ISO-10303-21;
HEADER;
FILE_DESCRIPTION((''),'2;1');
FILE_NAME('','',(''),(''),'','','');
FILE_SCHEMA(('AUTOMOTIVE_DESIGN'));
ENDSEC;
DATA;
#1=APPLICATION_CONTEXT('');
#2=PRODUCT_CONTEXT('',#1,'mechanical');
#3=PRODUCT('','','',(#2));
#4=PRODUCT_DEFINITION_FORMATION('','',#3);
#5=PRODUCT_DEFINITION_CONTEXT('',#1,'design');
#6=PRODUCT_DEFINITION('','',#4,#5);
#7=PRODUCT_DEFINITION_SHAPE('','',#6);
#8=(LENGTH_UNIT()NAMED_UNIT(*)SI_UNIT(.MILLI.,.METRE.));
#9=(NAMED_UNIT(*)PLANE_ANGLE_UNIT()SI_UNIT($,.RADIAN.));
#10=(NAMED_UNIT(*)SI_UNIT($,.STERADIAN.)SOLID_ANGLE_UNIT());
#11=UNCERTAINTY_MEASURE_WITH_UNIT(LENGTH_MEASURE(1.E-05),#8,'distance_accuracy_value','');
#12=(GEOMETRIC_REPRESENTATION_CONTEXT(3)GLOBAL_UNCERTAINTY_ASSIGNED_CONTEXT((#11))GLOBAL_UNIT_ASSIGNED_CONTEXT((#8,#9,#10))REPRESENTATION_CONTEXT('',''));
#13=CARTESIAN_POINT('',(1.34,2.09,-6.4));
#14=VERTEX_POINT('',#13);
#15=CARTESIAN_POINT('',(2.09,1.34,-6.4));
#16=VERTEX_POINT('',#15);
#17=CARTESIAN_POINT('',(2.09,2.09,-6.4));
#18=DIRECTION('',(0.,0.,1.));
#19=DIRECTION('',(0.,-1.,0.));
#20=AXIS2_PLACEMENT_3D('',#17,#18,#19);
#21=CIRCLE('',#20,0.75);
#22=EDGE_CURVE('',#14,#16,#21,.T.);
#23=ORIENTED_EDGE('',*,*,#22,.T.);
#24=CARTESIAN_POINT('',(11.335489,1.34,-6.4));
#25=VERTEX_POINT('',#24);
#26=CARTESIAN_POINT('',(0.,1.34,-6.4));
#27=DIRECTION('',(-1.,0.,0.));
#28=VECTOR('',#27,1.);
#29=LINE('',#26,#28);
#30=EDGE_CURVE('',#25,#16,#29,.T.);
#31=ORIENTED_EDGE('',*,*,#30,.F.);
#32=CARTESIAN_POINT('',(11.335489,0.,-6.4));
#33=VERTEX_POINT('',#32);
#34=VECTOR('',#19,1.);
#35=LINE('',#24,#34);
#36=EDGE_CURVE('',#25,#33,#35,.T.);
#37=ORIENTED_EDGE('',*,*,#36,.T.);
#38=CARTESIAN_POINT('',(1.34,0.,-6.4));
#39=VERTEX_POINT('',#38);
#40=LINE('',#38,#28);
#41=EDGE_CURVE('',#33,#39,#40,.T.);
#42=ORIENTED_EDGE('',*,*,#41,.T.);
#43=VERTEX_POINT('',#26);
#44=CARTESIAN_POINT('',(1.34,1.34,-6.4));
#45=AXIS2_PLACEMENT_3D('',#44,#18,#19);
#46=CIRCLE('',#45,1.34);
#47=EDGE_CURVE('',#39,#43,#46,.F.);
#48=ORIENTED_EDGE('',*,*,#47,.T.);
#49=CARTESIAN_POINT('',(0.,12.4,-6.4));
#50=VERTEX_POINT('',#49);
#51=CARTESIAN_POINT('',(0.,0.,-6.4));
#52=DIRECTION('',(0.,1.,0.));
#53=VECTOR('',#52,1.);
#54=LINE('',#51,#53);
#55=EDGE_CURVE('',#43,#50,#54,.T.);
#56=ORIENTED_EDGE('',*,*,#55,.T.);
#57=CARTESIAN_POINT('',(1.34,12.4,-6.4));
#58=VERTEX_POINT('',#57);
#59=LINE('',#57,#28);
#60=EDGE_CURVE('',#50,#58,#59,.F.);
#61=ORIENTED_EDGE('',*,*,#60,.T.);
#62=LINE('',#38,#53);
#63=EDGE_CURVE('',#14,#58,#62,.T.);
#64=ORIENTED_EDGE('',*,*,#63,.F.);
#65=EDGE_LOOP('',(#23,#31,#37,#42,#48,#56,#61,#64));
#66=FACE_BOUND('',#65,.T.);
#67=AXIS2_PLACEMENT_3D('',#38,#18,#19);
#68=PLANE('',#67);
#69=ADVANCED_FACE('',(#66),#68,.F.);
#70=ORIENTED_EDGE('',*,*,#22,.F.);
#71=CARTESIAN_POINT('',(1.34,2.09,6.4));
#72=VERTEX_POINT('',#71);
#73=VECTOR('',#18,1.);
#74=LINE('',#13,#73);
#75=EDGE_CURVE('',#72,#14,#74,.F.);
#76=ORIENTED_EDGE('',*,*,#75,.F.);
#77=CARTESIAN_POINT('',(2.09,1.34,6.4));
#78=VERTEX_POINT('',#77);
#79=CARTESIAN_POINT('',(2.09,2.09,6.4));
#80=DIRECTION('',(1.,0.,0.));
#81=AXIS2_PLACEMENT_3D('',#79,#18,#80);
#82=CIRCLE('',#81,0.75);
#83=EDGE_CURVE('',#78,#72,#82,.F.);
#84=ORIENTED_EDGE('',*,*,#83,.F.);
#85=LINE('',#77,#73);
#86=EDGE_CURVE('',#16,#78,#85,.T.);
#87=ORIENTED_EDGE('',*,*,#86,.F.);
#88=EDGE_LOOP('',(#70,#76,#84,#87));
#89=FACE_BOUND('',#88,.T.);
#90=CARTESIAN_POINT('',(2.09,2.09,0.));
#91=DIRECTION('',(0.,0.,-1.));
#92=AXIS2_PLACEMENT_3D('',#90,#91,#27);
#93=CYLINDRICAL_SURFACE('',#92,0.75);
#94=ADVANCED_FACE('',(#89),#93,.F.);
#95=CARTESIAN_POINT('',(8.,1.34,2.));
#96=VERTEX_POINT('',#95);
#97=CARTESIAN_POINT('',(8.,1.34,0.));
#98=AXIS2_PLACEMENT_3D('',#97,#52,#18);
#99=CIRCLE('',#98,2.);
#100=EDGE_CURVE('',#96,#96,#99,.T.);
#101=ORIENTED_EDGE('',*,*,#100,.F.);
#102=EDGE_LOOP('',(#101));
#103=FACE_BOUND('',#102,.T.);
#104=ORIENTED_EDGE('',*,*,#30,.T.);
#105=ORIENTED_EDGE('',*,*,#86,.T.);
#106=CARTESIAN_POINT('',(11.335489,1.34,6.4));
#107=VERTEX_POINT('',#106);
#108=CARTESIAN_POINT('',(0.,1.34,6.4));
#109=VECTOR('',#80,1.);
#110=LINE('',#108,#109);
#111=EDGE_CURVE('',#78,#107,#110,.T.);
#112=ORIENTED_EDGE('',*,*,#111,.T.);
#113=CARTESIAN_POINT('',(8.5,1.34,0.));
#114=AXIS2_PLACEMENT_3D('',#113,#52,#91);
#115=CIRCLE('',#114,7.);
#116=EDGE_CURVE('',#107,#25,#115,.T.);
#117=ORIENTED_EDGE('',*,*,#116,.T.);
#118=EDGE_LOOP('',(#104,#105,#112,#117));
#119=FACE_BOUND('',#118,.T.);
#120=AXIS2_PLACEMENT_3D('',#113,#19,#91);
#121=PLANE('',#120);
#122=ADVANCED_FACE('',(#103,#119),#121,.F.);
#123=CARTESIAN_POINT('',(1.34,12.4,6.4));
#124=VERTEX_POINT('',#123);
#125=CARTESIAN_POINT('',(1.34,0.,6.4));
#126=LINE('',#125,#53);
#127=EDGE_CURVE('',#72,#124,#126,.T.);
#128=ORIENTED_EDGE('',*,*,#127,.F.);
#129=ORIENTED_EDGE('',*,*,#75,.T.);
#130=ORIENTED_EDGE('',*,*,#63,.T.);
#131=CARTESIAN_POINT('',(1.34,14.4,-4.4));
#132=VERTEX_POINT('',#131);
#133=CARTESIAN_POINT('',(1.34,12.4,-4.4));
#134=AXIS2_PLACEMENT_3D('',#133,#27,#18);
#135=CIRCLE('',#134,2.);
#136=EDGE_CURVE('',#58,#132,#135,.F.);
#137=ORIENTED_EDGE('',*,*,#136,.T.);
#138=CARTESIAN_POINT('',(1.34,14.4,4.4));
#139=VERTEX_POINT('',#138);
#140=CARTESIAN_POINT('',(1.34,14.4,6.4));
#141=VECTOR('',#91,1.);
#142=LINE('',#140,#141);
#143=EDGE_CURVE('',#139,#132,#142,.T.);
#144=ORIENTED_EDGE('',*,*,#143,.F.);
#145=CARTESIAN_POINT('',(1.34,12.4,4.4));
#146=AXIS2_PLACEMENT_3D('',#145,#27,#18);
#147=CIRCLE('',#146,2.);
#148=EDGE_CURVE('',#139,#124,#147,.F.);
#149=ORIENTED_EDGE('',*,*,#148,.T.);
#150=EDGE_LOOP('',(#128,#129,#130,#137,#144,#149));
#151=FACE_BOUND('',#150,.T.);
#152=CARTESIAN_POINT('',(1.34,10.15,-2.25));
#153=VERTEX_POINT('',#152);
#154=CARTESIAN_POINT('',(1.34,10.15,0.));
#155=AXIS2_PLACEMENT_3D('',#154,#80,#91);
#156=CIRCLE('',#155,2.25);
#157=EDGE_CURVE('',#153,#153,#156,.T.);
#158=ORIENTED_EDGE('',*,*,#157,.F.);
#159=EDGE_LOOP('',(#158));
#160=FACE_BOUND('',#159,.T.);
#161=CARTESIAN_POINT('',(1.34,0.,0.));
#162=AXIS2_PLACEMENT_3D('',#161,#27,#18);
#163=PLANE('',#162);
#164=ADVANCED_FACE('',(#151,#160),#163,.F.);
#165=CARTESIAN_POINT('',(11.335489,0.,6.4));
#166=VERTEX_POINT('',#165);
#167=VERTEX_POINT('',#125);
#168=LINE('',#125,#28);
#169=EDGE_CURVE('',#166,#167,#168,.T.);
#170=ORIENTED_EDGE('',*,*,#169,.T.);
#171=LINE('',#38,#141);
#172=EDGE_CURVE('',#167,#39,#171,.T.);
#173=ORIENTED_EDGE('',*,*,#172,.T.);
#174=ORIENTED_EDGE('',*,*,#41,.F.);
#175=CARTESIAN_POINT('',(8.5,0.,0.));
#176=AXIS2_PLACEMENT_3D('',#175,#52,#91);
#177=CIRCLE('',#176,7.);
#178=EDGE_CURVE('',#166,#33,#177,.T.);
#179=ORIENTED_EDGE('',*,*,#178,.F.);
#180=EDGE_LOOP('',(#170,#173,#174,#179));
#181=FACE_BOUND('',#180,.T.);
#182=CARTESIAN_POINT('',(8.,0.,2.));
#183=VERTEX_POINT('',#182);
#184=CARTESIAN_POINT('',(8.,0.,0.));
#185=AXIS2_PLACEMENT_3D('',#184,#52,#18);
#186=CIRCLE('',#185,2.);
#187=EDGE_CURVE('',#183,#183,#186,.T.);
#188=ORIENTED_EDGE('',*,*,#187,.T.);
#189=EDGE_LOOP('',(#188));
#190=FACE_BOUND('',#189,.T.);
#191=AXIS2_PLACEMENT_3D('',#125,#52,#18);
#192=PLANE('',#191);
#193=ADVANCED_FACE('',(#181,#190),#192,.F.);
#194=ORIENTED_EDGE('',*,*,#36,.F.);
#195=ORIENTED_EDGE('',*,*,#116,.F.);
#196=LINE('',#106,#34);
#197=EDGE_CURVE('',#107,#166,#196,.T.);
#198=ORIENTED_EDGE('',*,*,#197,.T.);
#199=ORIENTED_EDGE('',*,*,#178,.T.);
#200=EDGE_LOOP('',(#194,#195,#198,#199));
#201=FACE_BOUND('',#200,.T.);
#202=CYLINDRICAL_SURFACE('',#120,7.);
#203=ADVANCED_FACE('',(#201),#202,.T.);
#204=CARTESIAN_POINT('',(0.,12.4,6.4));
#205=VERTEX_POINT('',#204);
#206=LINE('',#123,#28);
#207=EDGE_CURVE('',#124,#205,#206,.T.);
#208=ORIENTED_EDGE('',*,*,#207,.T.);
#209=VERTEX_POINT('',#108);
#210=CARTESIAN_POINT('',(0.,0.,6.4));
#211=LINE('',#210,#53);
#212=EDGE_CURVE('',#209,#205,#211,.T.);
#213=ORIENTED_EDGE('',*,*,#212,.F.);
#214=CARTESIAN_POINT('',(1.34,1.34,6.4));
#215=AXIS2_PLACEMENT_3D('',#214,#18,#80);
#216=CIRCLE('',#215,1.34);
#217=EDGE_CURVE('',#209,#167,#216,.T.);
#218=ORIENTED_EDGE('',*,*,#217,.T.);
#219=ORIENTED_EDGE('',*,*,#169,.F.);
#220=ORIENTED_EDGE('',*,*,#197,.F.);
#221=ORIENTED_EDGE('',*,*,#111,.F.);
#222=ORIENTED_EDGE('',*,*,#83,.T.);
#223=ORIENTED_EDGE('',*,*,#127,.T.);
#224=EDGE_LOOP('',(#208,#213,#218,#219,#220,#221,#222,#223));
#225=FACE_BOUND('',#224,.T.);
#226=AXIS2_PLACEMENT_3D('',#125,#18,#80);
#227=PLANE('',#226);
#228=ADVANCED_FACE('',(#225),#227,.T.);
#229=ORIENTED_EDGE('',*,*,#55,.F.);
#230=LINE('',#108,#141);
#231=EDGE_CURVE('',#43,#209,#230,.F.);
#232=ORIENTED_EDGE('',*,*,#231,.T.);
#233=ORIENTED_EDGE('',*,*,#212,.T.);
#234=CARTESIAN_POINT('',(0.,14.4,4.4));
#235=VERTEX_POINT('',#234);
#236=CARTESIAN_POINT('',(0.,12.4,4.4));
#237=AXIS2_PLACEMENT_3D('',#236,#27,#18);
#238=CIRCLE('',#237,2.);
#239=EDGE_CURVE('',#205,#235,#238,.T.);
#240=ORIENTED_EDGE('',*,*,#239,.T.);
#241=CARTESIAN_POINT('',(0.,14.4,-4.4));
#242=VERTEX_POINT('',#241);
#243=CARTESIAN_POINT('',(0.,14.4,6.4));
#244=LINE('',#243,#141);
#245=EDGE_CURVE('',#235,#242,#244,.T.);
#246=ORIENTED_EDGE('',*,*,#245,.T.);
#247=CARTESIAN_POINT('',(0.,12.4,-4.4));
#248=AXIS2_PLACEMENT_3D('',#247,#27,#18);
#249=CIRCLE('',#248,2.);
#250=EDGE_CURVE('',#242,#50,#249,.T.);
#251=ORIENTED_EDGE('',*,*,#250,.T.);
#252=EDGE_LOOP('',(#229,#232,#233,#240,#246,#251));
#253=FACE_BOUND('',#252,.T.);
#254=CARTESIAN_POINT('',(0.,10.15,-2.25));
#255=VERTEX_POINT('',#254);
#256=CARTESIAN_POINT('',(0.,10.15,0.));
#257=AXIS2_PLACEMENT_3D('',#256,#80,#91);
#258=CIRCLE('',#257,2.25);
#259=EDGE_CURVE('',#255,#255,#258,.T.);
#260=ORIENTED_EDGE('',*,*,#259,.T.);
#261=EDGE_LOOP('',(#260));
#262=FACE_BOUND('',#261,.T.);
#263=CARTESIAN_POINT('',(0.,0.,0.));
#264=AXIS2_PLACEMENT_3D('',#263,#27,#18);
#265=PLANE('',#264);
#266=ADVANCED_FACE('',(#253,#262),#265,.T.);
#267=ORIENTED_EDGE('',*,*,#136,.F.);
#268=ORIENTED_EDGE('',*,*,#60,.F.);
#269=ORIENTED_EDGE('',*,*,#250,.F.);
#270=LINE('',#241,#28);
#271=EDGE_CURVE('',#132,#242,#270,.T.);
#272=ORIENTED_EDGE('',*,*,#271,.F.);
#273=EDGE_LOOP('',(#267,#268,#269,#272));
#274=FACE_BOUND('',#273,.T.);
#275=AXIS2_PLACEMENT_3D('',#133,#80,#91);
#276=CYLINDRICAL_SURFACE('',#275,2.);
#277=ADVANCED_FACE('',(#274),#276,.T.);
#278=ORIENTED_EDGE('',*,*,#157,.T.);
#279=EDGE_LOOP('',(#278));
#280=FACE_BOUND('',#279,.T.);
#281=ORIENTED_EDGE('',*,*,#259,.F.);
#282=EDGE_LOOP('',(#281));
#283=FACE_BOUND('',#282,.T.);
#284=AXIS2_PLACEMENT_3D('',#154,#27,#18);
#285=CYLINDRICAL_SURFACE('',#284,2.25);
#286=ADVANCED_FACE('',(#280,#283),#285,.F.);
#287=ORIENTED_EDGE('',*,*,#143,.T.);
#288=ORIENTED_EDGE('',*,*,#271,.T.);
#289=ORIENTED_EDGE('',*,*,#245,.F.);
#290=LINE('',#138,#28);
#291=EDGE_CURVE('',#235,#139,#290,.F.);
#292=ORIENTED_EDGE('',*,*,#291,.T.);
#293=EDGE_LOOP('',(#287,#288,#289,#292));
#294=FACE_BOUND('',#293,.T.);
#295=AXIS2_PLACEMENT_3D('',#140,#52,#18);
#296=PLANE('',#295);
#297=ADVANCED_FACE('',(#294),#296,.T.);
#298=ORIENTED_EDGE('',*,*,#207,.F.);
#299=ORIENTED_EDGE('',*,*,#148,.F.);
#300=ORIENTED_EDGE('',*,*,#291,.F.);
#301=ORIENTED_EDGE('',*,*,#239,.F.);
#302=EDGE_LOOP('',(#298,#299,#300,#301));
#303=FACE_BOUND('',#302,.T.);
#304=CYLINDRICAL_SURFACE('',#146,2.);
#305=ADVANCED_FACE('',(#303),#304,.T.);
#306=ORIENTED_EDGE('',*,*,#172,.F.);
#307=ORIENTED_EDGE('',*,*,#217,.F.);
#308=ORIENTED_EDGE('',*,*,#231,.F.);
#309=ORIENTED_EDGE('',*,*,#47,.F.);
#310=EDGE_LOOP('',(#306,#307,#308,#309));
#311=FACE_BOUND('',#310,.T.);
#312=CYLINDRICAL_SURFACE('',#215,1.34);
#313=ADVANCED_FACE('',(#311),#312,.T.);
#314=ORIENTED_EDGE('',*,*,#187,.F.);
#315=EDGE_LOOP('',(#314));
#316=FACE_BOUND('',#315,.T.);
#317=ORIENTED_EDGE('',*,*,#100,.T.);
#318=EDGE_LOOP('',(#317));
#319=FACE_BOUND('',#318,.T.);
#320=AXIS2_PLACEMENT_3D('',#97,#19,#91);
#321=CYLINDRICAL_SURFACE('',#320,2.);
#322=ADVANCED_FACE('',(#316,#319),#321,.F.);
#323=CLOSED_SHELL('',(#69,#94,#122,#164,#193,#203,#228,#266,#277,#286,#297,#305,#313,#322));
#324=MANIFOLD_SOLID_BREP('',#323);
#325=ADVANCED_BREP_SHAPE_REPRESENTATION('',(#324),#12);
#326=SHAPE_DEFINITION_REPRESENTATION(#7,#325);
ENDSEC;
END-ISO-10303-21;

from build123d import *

# Parameters (mm, degrees)
SKETCH1_W           = 12.8
SKETCH1_H           = 14.4
SKETCH1_R           = 2.25
BOSS_EXTRUDE1_DEPTH = 1.34
SKETCH2_R           = 2
BOSS_EXTRUDE2_DEPTH = 1.34
FILLET2_R           = 2
FILLET3_R           = 0.75
FILLET4_R           = 1.34


with BuildPart() as part:
    # Sketch1 → Boss-Extrude1 (new body)
    with BuildSketch(Plane(origin=(0, 0, 0), x_dir=(0, 0, -1), z_dir=(1, 0, 0))):
        with Locations((0, 7.2)):
            Rectangle(SKETCH1_W, SKETCH1_H)
        with Locations((0, 10.15)):
            Circle(SKETCH1_R, mode=Mode.SUBTRACT)
    extrude(amount=BOSS_EXTRUDE1_DEPTH)

    # Sketch2 → Boss-Extrude2 (add)
    with BuildSketch(Plane(origin=(0, 0, 0), x_dir=(1, 0, 0), z_dir=(0, 1, 0))):
        with BuildLine():
            Line((0, 6.4), (11.335489376, 6.4))
            ThreePointArc((11.335489376, 6.4), (15.5, 0), (11.335489376, -6.4))
            Line((11.335489376, -6.4), (0, -6.4))
            Line((0, -6.4), (0, 6.4))
        make_face()
        with Locations(Location((8, 0, 0), (0, 0, 270))):
            Circle(SKETCH2_R, mode=Mode.SUBTRACT)
    extrude(amount=BOSS_EXTRUDE2_DEPTH)

    # Fillet2
    fillet2_edges = [part.edges().sort_by_distance(p)[0] for p in [
        (0.67, 14.4, -6.4),
        (0.67, 14.4, 6.4),
    ]]
    fillet(fillet2_edges, radius=FILLET2_R)

    # Fillet3
    fillet3_edges = [part.edges().sort_by_distance(p)[0] for p in [
        (1.34, 1.34, 0),
    ]]
    fillet(fillet3_edges, radius=FILLET3_R)

    # Fillet4
    fillet4_edges = [part.edges().sort_by_distance(p)[0] for p in [
        (0, 0, 0),
    ]]
    fillet(fillet4_edges, radius=FILLET4_R)


solid = part.part
